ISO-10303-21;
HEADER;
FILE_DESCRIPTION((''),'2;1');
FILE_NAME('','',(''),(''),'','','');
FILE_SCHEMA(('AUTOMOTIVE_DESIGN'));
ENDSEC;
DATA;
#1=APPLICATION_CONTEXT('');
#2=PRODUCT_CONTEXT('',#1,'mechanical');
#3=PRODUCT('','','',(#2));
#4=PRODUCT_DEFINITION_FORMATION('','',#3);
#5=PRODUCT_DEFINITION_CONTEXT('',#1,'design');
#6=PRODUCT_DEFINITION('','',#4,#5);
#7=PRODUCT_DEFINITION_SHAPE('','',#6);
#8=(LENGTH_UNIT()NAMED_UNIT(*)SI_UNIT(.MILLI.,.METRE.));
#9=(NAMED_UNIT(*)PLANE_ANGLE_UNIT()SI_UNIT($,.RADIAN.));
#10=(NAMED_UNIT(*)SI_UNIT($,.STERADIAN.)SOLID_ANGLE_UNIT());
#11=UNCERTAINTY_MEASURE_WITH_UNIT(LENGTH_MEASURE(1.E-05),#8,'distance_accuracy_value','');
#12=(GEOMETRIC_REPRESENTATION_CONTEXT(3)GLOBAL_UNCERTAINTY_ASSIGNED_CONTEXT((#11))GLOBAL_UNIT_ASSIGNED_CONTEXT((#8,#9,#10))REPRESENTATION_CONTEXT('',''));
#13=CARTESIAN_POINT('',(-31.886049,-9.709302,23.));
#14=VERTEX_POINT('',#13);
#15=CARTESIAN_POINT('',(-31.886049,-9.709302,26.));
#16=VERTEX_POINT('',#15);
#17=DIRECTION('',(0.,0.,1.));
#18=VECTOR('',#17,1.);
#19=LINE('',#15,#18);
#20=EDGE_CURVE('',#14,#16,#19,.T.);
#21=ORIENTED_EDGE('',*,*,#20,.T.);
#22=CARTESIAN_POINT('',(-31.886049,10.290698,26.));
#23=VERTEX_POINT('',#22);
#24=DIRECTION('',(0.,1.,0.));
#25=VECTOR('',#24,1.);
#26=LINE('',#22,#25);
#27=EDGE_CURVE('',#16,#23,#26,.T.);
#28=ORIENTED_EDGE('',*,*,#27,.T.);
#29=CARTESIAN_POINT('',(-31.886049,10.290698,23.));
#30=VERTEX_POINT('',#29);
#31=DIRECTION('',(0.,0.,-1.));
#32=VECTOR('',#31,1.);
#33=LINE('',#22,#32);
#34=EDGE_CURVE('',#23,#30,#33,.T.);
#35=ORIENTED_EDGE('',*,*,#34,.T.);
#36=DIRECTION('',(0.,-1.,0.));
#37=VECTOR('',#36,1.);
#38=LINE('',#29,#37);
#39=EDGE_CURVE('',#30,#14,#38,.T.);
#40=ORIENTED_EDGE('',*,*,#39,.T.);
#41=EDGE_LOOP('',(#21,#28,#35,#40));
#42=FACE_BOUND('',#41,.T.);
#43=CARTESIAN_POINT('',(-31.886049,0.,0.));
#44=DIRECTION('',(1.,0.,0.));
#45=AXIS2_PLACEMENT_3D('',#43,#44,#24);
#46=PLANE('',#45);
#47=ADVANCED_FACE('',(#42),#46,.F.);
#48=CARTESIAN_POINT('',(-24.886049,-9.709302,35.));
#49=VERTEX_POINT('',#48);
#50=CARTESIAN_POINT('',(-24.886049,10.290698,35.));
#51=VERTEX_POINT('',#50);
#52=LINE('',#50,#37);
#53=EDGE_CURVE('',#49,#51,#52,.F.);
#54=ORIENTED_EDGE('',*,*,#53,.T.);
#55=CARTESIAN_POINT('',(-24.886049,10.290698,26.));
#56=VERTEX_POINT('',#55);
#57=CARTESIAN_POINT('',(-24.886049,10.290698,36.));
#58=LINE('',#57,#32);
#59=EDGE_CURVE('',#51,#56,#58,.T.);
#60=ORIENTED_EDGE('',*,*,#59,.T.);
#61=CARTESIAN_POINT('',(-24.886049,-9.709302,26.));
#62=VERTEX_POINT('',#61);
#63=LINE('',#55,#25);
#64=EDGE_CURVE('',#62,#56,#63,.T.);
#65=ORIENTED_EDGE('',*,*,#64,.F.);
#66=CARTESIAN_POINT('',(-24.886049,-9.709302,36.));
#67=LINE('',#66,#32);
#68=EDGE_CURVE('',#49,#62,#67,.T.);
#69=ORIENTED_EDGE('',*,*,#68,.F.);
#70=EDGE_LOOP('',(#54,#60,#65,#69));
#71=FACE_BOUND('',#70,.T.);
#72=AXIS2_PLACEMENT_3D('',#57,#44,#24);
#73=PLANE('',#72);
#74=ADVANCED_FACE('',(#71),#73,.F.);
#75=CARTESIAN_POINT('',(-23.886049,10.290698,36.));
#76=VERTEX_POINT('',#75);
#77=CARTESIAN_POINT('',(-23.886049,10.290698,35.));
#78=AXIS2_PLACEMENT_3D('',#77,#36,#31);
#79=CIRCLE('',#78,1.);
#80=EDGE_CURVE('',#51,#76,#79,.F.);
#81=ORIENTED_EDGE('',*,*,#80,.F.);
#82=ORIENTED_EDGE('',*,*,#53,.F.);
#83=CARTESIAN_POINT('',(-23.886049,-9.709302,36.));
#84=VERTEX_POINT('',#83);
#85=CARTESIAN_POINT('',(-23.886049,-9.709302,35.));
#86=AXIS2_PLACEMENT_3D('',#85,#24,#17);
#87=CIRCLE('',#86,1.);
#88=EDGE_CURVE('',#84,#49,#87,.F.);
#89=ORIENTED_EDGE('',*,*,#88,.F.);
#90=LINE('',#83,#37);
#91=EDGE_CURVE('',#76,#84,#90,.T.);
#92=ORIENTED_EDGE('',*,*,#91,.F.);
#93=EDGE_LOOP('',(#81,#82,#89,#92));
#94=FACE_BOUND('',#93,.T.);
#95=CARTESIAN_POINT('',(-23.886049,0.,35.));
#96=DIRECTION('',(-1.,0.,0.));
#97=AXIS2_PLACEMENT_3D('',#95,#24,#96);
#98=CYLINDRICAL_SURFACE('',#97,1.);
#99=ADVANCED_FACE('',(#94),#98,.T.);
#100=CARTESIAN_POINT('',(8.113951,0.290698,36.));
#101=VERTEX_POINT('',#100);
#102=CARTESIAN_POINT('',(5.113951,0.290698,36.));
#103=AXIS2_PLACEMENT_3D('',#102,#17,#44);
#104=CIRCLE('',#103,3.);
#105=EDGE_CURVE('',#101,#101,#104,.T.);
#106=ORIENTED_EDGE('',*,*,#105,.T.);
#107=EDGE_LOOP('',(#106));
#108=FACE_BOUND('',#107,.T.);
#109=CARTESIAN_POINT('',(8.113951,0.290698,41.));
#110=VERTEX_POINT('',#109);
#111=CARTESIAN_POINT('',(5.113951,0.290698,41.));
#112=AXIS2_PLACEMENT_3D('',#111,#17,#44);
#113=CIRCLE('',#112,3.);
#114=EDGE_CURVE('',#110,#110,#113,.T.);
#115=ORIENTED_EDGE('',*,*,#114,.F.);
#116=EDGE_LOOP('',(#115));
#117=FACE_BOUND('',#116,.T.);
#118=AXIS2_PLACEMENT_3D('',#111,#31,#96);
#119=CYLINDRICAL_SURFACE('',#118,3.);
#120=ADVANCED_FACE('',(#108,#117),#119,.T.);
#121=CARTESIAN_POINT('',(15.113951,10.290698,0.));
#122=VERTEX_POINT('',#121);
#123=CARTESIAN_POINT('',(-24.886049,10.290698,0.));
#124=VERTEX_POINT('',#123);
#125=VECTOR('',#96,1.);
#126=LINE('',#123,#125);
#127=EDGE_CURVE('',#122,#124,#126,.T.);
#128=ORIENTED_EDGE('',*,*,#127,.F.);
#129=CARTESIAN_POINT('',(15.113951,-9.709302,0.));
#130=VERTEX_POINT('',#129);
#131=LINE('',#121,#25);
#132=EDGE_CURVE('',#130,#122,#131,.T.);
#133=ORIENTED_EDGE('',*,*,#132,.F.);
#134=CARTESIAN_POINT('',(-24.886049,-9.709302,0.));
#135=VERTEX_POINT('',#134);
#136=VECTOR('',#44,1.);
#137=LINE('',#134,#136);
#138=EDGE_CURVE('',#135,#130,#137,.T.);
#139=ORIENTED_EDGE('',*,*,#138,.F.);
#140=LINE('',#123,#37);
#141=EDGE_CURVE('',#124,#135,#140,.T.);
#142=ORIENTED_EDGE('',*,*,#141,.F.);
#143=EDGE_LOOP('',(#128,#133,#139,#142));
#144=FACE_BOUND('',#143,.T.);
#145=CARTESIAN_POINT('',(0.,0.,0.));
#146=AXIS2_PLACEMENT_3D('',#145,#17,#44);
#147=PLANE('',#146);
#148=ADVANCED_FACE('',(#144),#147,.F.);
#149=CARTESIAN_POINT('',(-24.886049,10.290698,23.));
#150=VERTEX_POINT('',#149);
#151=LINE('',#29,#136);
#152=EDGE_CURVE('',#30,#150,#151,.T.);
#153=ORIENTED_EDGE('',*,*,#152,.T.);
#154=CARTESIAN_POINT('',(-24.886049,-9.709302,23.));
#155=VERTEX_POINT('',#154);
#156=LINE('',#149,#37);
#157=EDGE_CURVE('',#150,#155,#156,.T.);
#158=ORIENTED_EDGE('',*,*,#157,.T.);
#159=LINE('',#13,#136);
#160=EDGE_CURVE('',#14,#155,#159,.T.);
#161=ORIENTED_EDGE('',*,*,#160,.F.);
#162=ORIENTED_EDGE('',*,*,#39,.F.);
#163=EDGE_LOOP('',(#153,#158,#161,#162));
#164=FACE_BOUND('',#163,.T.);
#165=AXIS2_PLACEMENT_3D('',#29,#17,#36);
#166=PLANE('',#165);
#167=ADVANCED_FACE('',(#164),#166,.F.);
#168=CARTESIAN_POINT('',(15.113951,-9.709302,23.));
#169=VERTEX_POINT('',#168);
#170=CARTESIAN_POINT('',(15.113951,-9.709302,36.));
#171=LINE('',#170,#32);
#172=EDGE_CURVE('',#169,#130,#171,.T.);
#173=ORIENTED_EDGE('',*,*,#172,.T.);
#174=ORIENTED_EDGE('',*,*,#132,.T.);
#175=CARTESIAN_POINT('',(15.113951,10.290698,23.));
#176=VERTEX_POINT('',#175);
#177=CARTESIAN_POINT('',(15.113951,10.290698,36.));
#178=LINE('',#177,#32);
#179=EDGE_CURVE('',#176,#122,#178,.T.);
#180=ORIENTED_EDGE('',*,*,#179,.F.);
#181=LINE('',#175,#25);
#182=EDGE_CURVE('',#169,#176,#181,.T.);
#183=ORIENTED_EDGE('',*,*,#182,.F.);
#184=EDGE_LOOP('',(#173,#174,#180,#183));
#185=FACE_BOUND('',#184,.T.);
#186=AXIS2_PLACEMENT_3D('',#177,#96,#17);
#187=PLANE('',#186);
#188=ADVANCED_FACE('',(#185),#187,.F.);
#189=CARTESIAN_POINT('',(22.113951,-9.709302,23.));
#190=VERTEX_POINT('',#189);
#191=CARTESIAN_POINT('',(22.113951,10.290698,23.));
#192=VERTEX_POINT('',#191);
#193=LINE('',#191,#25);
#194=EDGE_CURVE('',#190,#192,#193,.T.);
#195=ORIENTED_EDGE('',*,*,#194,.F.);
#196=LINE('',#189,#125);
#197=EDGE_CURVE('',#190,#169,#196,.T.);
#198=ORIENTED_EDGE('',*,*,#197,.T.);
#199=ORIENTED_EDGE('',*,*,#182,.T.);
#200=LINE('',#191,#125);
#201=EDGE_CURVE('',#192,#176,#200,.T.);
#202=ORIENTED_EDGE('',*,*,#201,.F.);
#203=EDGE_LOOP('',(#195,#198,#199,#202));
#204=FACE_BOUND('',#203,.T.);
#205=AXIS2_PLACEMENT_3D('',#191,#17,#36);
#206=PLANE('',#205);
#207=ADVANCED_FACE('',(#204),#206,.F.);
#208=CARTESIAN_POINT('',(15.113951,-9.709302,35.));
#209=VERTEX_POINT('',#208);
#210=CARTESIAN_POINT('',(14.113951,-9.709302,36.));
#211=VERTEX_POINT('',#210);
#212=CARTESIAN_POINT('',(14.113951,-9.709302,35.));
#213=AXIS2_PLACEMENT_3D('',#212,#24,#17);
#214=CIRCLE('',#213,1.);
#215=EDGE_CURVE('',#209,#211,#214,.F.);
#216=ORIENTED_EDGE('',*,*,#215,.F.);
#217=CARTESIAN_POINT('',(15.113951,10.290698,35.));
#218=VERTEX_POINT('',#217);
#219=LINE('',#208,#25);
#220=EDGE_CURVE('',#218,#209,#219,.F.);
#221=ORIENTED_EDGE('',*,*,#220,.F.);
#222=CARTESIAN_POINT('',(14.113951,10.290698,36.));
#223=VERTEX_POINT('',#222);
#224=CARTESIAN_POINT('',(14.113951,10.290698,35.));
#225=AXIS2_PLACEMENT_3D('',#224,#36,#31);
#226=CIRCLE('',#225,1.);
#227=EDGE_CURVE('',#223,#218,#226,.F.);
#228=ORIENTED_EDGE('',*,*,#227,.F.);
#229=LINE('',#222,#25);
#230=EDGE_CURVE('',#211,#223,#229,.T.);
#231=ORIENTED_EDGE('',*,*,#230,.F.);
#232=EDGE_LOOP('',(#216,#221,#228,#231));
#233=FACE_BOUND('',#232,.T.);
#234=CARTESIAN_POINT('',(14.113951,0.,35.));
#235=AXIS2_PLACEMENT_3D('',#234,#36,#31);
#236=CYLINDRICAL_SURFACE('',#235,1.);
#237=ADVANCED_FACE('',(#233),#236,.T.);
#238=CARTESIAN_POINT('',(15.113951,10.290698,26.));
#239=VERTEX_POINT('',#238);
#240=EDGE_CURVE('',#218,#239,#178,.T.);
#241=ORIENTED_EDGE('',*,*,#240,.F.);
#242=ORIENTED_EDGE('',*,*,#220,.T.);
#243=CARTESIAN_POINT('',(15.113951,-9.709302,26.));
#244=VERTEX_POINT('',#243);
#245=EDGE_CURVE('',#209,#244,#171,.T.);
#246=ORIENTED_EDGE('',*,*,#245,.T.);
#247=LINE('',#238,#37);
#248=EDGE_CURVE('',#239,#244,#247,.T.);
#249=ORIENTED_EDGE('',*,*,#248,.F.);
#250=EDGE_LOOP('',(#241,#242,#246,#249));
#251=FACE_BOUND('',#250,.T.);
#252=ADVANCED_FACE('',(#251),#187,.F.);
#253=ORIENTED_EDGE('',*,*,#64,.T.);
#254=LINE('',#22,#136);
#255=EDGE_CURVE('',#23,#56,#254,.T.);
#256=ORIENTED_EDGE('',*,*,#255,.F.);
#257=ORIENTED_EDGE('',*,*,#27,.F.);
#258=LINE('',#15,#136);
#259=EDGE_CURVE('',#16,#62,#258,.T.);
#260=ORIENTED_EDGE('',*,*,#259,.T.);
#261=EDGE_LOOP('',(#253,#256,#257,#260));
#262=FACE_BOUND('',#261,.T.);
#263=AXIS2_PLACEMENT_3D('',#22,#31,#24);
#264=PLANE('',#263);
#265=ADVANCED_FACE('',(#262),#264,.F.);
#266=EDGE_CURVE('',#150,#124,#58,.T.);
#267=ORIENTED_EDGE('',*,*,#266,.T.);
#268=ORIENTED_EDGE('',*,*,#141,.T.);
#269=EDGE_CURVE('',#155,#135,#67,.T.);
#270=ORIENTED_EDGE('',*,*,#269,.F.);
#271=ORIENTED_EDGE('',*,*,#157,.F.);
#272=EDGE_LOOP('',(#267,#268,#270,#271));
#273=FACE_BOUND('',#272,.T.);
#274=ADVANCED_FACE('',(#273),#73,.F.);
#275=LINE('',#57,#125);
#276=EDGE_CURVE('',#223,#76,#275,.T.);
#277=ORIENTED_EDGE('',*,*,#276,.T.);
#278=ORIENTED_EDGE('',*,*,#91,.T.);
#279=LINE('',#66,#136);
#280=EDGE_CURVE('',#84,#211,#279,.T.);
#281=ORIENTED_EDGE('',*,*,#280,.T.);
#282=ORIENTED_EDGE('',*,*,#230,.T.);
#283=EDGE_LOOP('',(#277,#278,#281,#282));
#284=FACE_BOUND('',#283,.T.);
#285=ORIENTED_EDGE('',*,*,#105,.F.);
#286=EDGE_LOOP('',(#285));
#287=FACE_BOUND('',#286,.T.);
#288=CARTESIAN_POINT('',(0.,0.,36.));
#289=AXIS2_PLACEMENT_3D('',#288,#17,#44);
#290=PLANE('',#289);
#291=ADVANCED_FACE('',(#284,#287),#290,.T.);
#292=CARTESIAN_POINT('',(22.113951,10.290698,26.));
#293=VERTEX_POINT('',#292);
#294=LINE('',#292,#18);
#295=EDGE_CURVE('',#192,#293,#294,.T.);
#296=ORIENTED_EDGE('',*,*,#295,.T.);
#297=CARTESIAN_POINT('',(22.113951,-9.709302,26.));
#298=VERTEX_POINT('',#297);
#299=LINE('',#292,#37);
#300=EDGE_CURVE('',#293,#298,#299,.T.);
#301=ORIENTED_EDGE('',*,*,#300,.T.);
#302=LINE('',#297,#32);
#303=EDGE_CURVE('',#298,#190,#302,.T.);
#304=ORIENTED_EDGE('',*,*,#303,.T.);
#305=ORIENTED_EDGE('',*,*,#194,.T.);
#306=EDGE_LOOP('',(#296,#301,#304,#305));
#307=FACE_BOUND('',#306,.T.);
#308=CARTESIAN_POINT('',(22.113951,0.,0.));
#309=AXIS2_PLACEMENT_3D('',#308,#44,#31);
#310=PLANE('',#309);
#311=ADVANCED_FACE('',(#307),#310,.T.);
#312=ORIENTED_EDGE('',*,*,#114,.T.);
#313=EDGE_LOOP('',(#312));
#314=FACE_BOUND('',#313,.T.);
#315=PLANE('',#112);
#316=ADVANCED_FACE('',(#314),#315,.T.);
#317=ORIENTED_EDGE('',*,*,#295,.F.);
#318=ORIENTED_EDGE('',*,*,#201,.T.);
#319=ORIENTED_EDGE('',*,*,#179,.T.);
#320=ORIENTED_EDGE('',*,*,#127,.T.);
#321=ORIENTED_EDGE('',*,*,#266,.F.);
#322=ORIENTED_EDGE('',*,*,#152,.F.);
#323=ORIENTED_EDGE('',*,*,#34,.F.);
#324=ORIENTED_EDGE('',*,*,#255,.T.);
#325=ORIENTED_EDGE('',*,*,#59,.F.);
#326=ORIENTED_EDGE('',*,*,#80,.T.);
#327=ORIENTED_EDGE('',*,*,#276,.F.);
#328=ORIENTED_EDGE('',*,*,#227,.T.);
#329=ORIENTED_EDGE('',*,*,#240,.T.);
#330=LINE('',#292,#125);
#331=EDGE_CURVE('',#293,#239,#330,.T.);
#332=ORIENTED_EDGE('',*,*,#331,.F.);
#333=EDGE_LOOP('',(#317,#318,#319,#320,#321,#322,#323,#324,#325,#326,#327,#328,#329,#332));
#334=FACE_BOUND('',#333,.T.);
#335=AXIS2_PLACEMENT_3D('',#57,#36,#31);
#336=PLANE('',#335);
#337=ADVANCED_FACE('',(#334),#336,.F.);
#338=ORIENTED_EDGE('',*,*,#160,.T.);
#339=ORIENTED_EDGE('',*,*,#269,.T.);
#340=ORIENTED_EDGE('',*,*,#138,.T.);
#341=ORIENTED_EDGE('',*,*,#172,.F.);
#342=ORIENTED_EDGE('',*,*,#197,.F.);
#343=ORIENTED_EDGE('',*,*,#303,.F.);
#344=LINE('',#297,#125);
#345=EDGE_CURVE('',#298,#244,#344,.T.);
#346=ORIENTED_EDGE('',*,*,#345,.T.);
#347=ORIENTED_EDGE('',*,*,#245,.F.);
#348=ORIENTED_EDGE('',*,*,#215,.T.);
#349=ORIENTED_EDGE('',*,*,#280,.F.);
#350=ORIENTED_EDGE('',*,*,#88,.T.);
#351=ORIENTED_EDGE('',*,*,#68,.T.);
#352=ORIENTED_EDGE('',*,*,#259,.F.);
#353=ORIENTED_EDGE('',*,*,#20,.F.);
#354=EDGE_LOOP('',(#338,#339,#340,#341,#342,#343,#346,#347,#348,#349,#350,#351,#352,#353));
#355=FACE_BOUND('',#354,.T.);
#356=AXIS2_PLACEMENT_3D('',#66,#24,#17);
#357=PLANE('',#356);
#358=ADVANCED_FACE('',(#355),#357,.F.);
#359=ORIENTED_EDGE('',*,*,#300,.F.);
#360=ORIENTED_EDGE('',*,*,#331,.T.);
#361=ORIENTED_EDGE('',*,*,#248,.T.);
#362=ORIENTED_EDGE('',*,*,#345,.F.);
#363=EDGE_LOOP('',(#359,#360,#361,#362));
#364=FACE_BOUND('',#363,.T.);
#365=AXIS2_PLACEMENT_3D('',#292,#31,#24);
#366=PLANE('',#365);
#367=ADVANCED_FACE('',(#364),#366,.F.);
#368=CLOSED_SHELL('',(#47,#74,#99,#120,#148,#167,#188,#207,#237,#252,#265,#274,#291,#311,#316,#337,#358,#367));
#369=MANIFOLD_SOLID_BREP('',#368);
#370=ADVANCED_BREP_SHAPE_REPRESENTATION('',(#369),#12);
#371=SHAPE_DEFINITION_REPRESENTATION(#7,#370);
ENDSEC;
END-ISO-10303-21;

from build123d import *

# Parameters (mm, degrees)
ESQUISSE1_W        = 40
ESQUISSE1_H        = 20
BOSS_EXTRU_1_DEPTH = 36
ESQUISSE2_W        = 3
ESQUISSE2_H        = 20
BOSS_EXTRU_2_DEPTH = 7
ESQUISSE3_W        = 3
ESQUISSE3_H        = 20
BOSS_EXTRU_3_DEPTH = 7
ESQUISSE4_R        = 3
BOSS_EXTRU_4_DEPTH = 5
CONG_1_R           = 1


with BuildPart() as part:
    # Esquisse1 → Boss.-Extru.1 (new body)
    with BuildSketch(Plane.XY):
        with Locations((-4.886048962, 0.290697674)):
            Rectangle(ESQUISSE1_W, ESQUISSE1_H)
    extrude(amount=BOSS_EXTRU_1_DEPTH)

    # Esquisse2 → Boss.-Extru.2 (add)
    with BuildSketch(Plane(origin=(15.113951038, 0, 0), x_dir=(0, 0, -1), z_dir=(1, 0, 0))):
        with Locations((-24.5, 0.290697674)):
            Rectangle(ESQUISSE2_W, ESQUISSE2_H)
    extrude(amount=BOSS_EXTRU_2_DEPTH)

    # Esquisse3 → Boss.-Extru.3 (add)
    with BuildSketch(Plane.ZY.offset(24.886048962)):
        with Locations((24.5, 0.290697674)):
            Rectangle(ESQUISSE3_W, ESQUISSE3_H)
    extrude(amount=BOSS_EXTRU_3_DEPTH)

    # Esquisse4 → Boss.-Extru.4 (add)
    with BuildSketch(Plane.XY.offset(36)):
        with Locations((5.113951038, 0.290697674)):
            Circle(ESQUISSE4_R)
    extrude(amount=BOSS_EXTRU_4_DEPTH)

    # Congé1
    cong_1_edges = [part.edges().sort_by_distance(p)[0] for p in [
        (15.113951038, 0.290697674, 36),
        (-24.886048962, 0.290697674, 36),
    ]]
    fillet(cong_1_edges, radius=CONG_1_R)


solid = part.part
